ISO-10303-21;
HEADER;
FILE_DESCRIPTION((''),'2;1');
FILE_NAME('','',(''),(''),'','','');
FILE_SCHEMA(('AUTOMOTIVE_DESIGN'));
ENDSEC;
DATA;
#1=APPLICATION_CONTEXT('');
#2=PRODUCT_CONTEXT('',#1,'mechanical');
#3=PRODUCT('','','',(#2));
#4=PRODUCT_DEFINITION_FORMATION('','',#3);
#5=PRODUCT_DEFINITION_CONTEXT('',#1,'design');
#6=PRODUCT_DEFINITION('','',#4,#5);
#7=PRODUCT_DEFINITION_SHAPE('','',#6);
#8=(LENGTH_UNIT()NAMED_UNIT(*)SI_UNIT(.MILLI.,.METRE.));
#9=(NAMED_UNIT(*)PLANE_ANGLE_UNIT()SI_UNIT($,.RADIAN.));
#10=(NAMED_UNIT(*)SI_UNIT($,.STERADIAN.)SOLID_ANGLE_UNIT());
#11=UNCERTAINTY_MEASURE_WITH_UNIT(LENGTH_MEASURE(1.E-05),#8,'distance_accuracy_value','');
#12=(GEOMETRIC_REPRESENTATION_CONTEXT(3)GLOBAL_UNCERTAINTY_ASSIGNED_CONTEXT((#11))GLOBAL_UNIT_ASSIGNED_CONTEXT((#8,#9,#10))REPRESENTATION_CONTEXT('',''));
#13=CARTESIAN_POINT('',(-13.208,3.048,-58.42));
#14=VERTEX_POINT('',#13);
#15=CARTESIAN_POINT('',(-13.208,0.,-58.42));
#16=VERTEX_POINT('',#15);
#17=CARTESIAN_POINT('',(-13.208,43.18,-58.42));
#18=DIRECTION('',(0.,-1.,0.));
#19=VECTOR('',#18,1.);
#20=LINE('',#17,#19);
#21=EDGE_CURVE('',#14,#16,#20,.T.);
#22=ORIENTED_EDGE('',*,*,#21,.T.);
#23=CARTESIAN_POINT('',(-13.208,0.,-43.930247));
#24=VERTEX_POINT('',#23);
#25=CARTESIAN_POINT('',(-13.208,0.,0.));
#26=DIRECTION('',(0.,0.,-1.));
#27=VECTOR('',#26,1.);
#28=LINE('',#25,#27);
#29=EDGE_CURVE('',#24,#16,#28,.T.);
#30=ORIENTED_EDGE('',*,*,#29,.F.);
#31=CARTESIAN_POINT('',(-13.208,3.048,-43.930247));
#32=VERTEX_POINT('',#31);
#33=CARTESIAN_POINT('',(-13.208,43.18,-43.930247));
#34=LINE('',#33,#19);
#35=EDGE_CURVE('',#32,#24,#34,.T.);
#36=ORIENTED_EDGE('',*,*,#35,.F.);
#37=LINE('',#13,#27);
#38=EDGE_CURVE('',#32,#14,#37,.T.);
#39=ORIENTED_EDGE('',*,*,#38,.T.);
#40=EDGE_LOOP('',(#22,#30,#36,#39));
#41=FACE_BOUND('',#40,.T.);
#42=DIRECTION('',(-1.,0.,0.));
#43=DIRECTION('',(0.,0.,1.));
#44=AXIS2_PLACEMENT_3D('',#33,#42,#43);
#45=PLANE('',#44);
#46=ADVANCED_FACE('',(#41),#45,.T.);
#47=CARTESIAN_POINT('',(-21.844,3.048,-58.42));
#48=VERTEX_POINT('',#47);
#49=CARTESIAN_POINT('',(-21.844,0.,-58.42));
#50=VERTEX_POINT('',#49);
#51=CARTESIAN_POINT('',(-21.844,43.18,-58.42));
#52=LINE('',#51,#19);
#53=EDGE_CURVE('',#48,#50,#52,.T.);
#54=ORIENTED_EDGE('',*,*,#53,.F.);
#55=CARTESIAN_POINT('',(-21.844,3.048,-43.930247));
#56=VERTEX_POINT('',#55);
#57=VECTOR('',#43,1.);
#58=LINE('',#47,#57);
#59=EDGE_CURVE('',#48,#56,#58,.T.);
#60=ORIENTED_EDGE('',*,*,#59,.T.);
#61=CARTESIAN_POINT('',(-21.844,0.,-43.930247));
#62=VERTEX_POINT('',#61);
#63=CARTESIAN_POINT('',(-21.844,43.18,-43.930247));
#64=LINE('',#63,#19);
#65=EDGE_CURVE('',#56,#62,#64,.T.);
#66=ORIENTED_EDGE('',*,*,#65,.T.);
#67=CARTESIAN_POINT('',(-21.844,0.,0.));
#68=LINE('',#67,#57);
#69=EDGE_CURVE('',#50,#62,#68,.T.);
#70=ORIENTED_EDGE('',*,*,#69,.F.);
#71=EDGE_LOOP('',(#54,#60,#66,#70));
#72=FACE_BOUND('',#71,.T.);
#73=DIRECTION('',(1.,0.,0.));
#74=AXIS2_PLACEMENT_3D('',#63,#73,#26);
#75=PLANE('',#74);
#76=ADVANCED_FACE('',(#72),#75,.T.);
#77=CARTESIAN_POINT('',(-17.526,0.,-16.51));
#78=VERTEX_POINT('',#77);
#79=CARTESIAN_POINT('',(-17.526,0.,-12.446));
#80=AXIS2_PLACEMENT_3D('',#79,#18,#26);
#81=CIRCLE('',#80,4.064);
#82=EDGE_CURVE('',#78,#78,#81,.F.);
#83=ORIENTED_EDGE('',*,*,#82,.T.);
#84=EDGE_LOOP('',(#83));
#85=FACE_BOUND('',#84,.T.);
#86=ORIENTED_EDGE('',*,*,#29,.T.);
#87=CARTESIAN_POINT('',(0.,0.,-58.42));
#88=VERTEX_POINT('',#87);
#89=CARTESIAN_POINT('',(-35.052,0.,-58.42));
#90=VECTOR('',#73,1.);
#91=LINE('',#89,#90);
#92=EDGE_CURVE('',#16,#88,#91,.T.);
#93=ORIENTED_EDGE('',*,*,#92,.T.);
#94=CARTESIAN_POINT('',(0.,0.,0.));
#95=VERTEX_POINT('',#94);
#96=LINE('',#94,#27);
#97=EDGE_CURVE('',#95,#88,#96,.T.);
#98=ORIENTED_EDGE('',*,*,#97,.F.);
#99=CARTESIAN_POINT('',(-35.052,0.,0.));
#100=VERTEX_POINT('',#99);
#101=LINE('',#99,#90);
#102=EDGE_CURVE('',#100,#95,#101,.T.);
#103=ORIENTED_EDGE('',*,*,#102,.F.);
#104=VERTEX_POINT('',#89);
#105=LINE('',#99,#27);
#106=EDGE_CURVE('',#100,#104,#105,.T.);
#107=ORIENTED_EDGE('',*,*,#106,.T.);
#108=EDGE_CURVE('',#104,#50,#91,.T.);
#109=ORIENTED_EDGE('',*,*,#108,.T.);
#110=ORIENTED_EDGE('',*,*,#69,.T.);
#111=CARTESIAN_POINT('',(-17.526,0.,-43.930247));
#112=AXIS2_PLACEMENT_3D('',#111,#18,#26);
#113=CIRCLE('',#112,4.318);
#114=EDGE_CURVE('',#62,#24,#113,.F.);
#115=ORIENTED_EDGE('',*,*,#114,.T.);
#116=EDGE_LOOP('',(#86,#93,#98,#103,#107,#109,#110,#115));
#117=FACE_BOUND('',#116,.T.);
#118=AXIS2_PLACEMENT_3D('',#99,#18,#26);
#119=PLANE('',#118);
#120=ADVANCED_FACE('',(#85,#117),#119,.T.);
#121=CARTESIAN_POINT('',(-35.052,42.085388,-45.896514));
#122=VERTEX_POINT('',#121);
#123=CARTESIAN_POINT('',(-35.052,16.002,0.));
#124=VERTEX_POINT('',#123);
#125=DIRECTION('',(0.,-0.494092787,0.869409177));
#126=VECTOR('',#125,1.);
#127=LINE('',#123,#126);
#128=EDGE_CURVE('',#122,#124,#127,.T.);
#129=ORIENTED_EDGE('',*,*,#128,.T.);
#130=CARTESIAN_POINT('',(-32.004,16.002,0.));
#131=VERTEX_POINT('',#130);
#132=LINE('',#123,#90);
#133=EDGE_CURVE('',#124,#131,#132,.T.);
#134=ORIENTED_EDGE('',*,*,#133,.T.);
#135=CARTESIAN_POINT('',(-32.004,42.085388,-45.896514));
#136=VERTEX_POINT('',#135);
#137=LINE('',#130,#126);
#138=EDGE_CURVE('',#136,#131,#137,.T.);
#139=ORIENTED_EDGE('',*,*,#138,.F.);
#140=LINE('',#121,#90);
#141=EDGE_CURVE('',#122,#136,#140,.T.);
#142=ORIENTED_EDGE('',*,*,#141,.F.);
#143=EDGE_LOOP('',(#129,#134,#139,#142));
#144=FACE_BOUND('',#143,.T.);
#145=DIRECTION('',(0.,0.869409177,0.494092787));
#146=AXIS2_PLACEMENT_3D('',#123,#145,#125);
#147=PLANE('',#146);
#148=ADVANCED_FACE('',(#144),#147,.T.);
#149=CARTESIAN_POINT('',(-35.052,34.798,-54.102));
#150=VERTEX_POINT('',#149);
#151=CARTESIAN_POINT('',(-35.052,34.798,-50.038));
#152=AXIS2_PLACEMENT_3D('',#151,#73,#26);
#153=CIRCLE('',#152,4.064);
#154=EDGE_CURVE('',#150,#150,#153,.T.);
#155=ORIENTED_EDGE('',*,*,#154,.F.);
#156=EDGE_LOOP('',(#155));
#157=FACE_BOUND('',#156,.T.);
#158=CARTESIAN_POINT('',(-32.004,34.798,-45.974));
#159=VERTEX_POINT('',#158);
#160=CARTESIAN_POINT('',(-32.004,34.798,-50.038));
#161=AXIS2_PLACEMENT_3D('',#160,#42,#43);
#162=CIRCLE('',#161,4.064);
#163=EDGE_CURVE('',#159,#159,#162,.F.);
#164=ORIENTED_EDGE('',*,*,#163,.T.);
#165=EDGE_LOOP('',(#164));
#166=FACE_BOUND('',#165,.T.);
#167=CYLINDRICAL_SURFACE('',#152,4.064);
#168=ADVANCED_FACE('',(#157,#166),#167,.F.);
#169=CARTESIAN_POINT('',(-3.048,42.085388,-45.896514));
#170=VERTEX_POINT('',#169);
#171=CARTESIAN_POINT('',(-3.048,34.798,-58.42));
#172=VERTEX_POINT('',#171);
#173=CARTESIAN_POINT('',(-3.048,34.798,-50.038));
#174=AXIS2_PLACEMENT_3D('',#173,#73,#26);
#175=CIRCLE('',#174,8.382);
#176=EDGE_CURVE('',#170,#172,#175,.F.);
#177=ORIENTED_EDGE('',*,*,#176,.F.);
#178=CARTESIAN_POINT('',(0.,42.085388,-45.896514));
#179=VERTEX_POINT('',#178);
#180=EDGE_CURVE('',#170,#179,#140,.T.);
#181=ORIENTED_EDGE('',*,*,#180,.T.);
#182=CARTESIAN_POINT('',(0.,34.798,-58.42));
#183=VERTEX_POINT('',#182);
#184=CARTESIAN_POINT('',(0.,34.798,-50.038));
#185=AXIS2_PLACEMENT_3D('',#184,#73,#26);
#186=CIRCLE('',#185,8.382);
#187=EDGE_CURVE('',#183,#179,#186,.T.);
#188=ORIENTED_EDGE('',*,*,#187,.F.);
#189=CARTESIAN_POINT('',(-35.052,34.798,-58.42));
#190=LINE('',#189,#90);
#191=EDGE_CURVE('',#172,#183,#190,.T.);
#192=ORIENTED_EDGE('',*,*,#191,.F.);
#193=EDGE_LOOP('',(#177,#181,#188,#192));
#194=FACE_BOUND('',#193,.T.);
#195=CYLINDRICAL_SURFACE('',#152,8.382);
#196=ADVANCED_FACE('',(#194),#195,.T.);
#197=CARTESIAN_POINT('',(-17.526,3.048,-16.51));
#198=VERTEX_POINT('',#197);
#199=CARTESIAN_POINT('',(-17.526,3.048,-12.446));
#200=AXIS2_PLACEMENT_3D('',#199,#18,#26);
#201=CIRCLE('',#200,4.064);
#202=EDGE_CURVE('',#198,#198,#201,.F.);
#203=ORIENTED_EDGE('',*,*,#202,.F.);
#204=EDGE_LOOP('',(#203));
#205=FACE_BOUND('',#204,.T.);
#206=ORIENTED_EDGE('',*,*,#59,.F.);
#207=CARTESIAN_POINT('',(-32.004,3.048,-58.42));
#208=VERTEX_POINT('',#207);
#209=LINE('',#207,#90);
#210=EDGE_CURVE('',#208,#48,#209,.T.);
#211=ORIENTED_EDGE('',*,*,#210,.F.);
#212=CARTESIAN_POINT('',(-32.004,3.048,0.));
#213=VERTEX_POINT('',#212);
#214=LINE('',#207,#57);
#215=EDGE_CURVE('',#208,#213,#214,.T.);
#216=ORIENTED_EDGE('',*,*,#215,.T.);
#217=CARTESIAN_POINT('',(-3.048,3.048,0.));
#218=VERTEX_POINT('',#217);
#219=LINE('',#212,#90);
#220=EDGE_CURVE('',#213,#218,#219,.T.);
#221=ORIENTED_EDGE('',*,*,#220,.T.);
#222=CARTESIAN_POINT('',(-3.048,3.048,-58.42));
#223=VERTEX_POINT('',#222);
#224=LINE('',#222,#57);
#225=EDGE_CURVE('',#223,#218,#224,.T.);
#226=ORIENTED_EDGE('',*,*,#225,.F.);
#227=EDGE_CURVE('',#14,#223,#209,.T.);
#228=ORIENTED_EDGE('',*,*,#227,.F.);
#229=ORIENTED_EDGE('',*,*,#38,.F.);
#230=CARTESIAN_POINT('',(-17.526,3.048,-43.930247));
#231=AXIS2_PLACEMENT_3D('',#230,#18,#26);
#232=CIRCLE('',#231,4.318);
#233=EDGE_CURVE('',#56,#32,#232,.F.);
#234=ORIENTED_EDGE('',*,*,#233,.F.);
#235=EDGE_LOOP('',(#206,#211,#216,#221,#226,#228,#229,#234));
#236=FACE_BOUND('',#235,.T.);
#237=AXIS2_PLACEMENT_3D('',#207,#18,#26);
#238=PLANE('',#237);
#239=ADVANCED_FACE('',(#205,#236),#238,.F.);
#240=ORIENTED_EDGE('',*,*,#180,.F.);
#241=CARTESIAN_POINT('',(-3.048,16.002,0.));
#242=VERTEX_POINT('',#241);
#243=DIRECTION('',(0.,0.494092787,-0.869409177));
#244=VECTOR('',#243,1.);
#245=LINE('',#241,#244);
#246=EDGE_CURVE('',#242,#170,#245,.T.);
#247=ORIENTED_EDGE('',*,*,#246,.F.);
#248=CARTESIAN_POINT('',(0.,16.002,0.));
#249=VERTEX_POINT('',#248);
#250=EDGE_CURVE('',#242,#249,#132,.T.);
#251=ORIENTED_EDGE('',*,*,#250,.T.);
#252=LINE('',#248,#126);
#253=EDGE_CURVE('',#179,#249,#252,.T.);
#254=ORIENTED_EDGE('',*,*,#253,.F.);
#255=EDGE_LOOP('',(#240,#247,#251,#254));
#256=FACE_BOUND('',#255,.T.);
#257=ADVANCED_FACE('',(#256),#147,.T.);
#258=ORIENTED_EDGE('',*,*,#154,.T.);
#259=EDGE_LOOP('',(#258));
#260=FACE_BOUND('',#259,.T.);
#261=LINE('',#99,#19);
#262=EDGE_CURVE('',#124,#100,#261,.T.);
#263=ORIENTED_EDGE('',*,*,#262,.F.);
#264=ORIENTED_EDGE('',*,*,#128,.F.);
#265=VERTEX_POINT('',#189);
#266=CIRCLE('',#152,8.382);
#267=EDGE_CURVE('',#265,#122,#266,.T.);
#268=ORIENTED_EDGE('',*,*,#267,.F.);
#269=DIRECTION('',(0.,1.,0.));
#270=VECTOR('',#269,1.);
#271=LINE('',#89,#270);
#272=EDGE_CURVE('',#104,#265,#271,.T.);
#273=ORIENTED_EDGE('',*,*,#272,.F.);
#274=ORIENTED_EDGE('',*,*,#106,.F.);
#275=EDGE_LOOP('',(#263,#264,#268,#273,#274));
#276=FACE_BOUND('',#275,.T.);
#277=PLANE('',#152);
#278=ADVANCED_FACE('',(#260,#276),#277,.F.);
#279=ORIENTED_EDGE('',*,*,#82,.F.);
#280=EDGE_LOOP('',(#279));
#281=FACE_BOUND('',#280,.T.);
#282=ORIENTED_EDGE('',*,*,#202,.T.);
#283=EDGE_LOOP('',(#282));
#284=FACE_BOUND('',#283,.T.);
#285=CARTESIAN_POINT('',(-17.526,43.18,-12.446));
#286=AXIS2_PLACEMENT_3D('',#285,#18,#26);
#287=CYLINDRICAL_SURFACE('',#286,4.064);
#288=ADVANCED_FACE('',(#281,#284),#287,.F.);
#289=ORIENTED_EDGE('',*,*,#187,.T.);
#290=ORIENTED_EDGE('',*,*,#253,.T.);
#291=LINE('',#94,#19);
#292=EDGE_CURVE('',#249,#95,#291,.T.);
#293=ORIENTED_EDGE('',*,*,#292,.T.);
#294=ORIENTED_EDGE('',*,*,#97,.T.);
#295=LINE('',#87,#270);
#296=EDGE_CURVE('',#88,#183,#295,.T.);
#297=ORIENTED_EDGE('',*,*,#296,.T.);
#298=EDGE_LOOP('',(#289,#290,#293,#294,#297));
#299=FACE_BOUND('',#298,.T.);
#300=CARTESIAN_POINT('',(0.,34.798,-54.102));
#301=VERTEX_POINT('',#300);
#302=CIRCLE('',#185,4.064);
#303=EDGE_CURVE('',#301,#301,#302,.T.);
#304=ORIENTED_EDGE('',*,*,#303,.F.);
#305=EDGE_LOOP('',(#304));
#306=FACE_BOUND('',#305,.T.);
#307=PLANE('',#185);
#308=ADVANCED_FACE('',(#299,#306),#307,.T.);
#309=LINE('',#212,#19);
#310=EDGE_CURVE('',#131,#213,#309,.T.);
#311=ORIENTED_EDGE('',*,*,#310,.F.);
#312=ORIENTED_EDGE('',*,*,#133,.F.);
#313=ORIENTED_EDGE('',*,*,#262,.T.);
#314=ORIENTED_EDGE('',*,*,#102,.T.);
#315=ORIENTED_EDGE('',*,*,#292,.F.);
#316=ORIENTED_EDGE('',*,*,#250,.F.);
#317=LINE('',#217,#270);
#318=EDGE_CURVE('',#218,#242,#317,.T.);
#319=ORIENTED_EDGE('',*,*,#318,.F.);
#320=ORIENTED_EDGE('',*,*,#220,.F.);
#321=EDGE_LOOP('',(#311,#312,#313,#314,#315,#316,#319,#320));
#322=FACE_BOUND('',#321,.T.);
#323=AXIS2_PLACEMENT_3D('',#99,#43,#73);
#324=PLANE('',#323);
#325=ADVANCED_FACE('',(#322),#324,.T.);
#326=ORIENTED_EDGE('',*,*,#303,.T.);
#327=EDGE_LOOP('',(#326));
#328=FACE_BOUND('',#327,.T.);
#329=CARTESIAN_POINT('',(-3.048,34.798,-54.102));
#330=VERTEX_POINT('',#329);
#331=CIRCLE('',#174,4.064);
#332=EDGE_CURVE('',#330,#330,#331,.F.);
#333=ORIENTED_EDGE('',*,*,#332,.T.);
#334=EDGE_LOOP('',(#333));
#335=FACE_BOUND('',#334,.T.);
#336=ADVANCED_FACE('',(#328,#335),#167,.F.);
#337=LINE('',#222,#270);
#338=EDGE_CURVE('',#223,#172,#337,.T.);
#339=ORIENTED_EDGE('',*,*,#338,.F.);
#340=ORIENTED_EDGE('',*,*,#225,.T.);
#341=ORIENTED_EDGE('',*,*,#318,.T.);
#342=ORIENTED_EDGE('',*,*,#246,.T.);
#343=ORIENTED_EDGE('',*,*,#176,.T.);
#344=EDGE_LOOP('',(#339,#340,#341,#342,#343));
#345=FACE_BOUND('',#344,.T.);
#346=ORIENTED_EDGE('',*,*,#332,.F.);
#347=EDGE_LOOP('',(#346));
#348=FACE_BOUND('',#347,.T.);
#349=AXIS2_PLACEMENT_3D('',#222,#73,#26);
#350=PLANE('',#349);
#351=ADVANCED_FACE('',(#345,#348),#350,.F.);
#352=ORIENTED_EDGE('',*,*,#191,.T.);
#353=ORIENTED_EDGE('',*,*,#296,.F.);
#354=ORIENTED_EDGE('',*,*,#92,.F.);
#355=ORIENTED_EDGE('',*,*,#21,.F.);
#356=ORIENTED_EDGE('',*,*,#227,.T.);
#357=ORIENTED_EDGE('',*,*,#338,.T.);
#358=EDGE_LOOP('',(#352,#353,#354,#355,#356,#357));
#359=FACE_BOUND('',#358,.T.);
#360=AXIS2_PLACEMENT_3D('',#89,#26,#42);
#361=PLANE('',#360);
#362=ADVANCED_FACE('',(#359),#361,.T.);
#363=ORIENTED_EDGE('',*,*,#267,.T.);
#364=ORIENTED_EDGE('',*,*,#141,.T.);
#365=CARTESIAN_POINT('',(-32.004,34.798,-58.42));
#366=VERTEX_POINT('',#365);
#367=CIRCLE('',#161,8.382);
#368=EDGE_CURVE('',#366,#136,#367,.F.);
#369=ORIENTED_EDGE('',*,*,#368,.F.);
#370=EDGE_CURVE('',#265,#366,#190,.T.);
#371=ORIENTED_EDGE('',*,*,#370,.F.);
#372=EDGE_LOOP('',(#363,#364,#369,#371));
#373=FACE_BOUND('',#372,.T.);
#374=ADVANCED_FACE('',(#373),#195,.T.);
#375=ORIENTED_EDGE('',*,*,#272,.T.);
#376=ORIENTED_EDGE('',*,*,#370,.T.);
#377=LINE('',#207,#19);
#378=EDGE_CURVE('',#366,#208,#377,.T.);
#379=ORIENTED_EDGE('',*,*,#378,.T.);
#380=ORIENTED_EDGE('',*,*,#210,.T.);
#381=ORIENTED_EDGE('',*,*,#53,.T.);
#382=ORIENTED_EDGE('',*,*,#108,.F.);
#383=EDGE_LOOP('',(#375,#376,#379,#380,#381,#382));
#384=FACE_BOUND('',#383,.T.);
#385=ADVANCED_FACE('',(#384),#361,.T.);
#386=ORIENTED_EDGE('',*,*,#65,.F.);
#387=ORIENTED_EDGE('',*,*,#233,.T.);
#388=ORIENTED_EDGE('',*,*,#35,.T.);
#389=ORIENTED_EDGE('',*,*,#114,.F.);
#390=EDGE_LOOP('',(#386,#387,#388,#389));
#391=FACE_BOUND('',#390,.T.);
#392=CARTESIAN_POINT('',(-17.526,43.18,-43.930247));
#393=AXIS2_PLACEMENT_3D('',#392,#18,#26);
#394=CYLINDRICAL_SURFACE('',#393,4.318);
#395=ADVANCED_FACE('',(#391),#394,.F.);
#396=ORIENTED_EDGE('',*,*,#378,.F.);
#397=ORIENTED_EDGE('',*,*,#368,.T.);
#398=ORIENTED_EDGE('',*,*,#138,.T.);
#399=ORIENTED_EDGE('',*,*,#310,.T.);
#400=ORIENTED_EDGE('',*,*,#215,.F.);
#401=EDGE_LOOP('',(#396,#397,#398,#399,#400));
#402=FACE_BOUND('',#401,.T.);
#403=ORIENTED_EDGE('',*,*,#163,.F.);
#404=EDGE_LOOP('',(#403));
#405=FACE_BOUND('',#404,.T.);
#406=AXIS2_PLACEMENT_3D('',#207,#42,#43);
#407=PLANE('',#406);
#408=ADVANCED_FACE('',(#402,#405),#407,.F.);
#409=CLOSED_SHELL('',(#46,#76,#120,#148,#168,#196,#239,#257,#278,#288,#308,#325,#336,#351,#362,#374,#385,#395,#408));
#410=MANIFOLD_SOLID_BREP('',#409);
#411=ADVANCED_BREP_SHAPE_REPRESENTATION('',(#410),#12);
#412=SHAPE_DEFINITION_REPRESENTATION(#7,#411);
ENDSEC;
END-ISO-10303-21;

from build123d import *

# Parameters (mm, degrees)
SKETCH1_R               = 4.064
BOSS_EXTRUDE1_DEPTH     = 35.052
SKETCH2_W               = 28.956
SKETCH2_H               = 40.132
CUT_EXTRUDE1_DEPTH      = 59.42
SKETCH3_R               = 4.064
CUT_EXTRUDE3_DEPTH      = 44.18
CUT_EXTRUDE3_DEPTH_BACK = 35.052


with BuildPart() as part:
    # Sketch1 → Boss-Extrude1 (new body)
    with BuildSketch(Plane(origin=(0, 0, 0), x_dir=(0, 0, -1), z_dir=(1, 0, 0))):
        with BuildLine():
            Line((0, 16.002), (45.896514256, 42.085387724))
            ThreePointArc((45.896514256, 42.085387724), (54.253684434, 42.0427173), (58.42, 34.798))
            Line((58.42, 34.798), (58.42, 0))
            Line((58.42, 0), (0, 0))
            Line((0, 0), (0, 16.002))
        make_face()
        with Locations((50.038, 34.798)):
            Circle(SKETCH1_R, mode=Mode.SUBTRACT)
    extrude(amount=-BOSS_EXTRUDE1_DEPTH)

    # Sketch2 → Cut-Extrude1 (cut, through all)
    with BuildSketch(Plane.XY):
        with Locations((-17.526, 23.114)):
            Rectangle(SKETCH2_W, SKETCH2_H)
    extrude(amount=-CUT_EXTRUDE1_DEPTH, mode=Mode.SUBTRACT)

    # Sketch3 → Cut-Extrude3 (cut, two sides)
    with BuildSketch(Plane(origin=(0, 0, 0), x_dir=(1, 0, 0), z_dir=(0, 1, 0))) as cut_extrude3_sk:
        with Locations(Location((-17.526, 12.446, 0), (0, 0, 90))):  # turned: the seam where the file's is
            Circle(SKETCH3_R)
        with BuildLine():
            Line((-21.844, 43.930247399), (-21.844, 58.42))
            Line((-21.844, 58.42), (-13.208, 58.42))
            Line((-13.208, 58.42), (-13.208, 43.930247399))
            ThreePointArc((-13.208, 43.930247399), (-17.526, 39.612247399), (-21.844, 43.930247399))
        make_face()
    extrude(amount=CUT_EXTRUDE3_DEPTH, mode=Mode.SUBTRACT)
    extrude(cut_extrude3_sk.sketch, amount=-CUT_EXTRUDE3_DEPTH_BACK, mode=Mode.SUBTRACT)


solid = part.part
